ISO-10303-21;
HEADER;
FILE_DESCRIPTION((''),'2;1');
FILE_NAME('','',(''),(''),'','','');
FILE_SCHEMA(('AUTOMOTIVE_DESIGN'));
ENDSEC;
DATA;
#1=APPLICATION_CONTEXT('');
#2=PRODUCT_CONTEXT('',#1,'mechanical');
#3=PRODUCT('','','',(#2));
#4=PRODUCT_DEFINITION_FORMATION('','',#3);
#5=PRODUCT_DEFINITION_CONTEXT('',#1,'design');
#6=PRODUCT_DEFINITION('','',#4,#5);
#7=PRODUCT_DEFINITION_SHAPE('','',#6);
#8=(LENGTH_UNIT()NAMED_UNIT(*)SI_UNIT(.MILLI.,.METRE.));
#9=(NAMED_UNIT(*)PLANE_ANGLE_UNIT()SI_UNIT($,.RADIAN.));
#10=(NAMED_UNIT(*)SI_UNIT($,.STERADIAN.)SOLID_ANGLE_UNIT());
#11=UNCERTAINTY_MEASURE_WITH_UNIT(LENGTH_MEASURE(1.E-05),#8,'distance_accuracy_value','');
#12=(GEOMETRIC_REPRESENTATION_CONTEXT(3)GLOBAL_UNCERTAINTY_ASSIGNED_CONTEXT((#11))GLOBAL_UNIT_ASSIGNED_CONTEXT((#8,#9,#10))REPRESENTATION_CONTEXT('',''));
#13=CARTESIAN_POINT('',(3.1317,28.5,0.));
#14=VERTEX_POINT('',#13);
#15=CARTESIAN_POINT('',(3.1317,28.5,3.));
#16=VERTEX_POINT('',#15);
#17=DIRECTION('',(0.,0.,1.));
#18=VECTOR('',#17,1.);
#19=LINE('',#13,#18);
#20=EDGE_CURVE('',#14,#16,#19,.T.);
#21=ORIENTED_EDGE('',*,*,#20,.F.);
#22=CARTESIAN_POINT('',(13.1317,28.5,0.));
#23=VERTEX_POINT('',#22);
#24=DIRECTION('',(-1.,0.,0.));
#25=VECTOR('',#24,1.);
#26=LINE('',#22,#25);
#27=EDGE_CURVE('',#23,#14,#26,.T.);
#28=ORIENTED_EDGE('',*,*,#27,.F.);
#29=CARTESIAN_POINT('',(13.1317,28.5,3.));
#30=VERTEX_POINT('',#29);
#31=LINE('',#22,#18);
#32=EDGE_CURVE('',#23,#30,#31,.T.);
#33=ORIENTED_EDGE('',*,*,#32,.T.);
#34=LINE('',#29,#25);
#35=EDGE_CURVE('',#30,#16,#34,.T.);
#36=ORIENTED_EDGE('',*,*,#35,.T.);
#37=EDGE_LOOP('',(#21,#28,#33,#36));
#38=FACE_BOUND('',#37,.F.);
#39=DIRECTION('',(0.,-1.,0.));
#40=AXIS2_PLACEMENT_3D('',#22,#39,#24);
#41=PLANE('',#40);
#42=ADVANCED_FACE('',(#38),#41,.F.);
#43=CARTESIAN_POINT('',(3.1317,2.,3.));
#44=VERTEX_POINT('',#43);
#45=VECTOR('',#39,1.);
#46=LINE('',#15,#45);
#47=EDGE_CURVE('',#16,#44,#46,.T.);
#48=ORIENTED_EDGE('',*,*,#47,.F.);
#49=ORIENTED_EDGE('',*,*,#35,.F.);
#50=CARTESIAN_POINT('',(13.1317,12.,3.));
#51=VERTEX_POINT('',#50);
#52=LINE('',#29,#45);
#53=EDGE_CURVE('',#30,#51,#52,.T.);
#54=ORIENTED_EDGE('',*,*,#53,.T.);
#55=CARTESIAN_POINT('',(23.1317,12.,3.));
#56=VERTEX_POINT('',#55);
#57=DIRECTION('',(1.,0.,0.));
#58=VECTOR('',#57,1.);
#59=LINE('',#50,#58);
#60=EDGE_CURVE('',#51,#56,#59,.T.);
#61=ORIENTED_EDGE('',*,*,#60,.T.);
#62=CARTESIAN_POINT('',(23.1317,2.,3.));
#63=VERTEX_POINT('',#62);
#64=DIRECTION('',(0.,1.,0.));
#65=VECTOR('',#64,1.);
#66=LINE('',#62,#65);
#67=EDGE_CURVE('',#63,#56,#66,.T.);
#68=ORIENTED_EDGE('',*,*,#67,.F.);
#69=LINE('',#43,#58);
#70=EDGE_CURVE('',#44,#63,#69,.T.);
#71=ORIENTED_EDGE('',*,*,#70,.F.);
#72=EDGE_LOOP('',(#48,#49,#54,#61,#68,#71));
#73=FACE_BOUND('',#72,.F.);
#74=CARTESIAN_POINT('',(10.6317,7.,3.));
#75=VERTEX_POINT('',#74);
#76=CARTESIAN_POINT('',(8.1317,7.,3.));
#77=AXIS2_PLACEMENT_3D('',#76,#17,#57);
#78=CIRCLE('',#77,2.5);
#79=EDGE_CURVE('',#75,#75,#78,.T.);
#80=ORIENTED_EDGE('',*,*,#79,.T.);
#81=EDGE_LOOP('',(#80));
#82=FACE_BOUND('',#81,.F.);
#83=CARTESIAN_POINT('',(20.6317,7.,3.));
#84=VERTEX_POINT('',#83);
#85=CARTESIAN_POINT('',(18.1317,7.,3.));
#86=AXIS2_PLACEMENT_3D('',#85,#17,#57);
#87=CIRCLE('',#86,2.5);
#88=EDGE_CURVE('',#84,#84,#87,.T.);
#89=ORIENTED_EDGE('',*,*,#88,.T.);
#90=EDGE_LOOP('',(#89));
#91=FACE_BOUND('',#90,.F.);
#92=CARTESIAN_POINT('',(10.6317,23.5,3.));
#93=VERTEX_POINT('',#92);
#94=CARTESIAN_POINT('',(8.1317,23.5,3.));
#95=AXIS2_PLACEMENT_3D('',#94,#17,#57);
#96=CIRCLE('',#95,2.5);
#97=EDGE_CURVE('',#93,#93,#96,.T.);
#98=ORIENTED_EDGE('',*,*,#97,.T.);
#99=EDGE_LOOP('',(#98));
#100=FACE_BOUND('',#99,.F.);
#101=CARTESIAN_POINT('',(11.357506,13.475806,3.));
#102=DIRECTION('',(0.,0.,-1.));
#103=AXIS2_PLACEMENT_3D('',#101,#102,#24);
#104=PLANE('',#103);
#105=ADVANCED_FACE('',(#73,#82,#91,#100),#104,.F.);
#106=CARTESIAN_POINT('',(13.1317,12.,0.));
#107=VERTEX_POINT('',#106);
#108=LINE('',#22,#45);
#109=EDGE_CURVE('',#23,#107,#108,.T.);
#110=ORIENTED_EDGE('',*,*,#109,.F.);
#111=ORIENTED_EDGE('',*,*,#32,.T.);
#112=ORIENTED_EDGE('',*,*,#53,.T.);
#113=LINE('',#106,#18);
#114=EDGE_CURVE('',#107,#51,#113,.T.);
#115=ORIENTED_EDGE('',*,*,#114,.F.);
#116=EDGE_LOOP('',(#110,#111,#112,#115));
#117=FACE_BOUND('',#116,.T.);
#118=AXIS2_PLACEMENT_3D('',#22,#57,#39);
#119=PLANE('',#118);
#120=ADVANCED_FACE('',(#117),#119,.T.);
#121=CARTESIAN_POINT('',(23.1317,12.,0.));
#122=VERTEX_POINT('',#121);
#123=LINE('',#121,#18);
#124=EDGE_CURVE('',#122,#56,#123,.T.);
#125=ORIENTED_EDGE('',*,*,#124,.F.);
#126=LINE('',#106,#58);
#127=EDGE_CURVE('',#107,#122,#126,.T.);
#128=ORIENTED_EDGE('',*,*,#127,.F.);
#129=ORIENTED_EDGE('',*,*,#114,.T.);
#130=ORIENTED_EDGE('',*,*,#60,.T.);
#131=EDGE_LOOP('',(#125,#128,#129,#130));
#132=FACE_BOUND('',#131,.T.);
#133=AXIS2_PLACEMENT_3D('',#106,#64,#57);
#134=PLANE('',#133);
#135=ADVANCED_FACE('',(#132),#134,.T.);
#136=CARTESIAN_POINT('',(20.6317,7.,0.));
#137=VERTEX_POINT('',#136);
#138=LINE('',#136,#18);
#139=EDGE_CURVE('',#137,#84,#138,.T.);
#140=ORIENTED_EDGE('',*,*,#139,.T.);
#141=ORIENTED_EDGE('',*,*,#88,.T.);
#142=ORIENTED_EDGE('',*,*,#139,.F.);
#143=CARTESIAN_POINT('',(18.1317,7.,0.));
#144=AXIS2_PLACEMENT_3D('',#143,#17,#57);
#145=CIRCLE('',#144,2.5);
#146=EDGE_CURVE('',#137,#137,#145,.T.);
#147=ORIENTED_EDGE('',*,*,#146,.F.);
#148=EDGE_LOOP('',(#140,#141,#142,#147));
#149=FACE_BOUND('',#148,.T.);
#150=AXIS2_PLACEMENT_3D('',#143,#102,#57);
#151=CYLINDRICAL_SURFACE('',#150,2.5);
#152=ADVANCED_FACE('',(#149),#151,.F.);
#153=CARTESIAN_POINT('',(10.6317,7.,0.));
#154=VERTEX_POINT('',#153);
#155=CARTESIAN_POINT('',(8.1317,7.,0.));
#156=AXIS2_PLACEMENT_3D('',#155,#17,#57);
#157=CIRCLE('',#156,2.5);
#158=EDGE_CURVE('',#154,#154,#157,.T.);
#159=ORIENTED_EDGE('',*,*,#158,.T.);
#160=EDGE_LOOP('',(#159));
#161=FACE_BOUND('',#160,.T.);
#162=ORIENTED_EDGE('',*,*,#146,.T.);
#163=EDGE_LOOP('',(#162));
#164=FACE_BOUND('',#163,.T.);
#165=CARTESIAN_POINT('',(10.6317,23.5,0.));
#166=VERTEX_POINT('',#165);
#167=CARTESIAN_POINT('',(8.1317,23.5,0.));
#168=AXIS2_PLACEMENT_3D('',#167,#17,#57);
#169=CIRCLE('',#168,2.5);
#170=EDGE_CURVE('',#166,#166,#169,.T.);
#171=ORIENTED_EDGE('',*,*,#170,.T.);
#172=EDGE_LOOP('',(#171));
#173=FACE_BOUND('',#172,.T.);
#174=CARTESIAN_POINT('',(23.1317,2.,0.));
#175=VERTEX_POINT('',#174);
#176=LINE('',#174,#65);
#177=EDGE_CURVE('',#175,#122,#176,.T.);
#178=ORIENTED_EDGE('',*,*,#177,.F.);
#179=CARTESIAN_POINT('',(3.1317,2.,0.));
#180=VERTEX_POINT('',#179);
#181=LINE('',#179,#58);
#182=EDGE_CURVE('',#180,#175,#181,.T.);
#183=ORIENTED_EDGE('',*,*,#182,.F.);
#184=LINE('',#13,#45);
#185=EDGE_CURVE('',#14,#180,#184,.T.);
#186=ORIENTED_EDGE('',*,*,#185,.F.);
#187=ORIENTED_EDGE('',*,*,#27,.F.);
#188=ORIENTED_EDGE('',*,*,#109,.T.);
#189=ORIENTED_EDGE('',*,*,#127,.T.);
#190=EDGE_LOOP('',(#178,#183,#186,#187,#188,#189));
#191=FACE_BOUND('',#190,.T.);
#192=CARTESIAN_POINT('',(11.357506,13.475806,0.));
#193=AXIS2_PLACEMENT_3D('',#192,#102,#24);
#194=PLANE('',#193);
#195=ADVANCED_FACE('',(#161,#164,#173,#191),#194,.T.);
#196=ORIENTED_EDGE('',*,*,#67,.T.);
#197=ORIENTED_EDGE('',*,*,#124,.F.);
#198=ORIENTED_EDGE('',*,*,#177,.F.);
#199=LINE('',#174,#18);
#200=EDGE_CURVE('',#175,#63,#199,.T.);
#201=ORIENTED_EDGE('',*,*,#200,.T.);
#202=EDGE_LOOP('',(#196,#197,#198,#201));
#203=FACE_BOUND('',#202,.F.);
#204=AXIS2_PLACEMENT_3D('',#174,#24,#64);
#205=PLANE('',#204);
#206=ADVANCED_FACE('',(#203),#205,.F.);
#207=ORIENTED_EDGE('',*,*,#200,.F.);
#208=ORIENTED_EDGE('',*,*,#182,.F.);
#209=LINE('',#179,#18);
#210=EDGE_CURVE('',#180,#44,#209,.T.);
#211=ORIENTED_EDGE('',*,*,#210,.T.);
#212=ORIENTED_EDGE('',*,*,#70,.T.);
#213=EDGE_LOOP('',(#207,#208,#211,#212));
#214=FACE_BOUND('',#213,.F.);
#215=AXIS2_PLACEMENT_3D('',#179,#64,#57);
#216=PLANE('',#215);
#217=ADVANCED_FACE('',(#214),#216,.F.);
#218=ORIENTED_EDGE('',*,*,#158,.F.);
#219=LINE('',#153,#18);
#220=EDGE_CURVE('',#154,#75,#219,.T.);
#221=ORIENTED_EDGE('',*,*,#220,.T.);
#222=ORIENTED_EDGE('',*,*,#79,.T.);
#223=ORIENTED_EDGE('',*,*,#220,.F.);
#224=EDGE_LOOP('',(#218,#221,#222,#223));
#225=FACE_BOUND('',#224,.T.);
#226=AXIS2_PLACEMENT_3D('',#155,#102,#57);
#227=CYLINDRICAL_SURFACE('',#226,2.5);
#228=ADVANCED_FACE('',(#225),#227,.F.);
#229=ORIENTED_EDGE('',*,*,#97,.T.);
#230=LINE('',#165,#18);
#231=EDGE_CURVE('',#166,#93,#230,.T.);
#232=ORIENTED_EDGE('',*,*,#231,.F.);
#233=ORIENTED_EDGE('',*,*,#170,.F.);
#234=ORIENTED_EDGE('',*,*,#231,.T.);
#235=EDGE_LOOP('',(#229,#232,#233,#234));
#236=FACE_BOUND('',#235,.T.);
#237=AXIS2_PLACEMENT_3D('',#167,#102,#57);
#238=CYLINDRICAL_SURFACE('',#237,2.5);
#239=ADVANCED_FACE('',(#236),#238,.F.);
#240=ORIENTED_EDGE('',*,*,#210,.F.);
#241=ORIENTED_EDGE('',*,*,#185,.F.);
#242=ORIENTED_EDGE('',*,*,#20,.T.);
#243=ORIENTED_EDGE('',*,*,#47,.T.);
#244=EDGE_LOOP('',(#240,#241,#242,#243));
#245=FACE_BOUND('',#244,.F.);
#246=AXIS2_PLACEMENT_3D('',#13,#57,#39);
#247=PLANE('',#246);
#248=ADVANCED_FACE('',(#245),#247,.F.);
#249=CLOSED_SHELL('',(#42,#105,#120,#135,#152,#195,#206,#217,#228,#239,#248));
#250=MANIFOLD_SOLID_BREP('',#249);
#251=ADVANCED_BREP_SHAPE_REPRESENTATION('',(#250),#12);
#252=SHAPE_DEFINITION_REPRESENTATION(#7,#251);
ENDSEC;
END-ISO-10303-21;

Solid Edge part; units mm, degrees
sketch "Sketch1" plane through (0, 0, 0) normal (0, 0, 1) x (1, 0, 0)
  line L0 (13.1317, 28.5) -> (13.1317, 12)
  line L1 (13.1317, 12) -> (23.1317, 12)
  line L2 (23.1317, 2) -> (23.1317, 12)
  line L3 (3.1317, 2) -> (23.1317, 2)
  line L4 (3.1317, 28.5) -> (3.1317, 2)
  line L5 (13.1317, 28.5) -> (3.1317, 28.5)
  circle A0 centre (8.1317, 7) radius 2.5
  circle A1 centre (18.1317, 7) radius 2.5
  circle A2 centre (8.1317, 23.5) radius 2.5
  dimension "D1" = 10
  dimension "D2" = 16.5
  dimension "D3" = 5
  dimension "D4" = 5
  dimension "D5" = 5
  dimension "D6" = 5
  dimension "D7" = 10
  dimension "D8" = 14
  dimension "D9" = 13.5
  dimension "D10" = 16
extrude "Protrusion1" add sketch "Sketch1" along normal blind 3
properties material "Holz, Birke"
